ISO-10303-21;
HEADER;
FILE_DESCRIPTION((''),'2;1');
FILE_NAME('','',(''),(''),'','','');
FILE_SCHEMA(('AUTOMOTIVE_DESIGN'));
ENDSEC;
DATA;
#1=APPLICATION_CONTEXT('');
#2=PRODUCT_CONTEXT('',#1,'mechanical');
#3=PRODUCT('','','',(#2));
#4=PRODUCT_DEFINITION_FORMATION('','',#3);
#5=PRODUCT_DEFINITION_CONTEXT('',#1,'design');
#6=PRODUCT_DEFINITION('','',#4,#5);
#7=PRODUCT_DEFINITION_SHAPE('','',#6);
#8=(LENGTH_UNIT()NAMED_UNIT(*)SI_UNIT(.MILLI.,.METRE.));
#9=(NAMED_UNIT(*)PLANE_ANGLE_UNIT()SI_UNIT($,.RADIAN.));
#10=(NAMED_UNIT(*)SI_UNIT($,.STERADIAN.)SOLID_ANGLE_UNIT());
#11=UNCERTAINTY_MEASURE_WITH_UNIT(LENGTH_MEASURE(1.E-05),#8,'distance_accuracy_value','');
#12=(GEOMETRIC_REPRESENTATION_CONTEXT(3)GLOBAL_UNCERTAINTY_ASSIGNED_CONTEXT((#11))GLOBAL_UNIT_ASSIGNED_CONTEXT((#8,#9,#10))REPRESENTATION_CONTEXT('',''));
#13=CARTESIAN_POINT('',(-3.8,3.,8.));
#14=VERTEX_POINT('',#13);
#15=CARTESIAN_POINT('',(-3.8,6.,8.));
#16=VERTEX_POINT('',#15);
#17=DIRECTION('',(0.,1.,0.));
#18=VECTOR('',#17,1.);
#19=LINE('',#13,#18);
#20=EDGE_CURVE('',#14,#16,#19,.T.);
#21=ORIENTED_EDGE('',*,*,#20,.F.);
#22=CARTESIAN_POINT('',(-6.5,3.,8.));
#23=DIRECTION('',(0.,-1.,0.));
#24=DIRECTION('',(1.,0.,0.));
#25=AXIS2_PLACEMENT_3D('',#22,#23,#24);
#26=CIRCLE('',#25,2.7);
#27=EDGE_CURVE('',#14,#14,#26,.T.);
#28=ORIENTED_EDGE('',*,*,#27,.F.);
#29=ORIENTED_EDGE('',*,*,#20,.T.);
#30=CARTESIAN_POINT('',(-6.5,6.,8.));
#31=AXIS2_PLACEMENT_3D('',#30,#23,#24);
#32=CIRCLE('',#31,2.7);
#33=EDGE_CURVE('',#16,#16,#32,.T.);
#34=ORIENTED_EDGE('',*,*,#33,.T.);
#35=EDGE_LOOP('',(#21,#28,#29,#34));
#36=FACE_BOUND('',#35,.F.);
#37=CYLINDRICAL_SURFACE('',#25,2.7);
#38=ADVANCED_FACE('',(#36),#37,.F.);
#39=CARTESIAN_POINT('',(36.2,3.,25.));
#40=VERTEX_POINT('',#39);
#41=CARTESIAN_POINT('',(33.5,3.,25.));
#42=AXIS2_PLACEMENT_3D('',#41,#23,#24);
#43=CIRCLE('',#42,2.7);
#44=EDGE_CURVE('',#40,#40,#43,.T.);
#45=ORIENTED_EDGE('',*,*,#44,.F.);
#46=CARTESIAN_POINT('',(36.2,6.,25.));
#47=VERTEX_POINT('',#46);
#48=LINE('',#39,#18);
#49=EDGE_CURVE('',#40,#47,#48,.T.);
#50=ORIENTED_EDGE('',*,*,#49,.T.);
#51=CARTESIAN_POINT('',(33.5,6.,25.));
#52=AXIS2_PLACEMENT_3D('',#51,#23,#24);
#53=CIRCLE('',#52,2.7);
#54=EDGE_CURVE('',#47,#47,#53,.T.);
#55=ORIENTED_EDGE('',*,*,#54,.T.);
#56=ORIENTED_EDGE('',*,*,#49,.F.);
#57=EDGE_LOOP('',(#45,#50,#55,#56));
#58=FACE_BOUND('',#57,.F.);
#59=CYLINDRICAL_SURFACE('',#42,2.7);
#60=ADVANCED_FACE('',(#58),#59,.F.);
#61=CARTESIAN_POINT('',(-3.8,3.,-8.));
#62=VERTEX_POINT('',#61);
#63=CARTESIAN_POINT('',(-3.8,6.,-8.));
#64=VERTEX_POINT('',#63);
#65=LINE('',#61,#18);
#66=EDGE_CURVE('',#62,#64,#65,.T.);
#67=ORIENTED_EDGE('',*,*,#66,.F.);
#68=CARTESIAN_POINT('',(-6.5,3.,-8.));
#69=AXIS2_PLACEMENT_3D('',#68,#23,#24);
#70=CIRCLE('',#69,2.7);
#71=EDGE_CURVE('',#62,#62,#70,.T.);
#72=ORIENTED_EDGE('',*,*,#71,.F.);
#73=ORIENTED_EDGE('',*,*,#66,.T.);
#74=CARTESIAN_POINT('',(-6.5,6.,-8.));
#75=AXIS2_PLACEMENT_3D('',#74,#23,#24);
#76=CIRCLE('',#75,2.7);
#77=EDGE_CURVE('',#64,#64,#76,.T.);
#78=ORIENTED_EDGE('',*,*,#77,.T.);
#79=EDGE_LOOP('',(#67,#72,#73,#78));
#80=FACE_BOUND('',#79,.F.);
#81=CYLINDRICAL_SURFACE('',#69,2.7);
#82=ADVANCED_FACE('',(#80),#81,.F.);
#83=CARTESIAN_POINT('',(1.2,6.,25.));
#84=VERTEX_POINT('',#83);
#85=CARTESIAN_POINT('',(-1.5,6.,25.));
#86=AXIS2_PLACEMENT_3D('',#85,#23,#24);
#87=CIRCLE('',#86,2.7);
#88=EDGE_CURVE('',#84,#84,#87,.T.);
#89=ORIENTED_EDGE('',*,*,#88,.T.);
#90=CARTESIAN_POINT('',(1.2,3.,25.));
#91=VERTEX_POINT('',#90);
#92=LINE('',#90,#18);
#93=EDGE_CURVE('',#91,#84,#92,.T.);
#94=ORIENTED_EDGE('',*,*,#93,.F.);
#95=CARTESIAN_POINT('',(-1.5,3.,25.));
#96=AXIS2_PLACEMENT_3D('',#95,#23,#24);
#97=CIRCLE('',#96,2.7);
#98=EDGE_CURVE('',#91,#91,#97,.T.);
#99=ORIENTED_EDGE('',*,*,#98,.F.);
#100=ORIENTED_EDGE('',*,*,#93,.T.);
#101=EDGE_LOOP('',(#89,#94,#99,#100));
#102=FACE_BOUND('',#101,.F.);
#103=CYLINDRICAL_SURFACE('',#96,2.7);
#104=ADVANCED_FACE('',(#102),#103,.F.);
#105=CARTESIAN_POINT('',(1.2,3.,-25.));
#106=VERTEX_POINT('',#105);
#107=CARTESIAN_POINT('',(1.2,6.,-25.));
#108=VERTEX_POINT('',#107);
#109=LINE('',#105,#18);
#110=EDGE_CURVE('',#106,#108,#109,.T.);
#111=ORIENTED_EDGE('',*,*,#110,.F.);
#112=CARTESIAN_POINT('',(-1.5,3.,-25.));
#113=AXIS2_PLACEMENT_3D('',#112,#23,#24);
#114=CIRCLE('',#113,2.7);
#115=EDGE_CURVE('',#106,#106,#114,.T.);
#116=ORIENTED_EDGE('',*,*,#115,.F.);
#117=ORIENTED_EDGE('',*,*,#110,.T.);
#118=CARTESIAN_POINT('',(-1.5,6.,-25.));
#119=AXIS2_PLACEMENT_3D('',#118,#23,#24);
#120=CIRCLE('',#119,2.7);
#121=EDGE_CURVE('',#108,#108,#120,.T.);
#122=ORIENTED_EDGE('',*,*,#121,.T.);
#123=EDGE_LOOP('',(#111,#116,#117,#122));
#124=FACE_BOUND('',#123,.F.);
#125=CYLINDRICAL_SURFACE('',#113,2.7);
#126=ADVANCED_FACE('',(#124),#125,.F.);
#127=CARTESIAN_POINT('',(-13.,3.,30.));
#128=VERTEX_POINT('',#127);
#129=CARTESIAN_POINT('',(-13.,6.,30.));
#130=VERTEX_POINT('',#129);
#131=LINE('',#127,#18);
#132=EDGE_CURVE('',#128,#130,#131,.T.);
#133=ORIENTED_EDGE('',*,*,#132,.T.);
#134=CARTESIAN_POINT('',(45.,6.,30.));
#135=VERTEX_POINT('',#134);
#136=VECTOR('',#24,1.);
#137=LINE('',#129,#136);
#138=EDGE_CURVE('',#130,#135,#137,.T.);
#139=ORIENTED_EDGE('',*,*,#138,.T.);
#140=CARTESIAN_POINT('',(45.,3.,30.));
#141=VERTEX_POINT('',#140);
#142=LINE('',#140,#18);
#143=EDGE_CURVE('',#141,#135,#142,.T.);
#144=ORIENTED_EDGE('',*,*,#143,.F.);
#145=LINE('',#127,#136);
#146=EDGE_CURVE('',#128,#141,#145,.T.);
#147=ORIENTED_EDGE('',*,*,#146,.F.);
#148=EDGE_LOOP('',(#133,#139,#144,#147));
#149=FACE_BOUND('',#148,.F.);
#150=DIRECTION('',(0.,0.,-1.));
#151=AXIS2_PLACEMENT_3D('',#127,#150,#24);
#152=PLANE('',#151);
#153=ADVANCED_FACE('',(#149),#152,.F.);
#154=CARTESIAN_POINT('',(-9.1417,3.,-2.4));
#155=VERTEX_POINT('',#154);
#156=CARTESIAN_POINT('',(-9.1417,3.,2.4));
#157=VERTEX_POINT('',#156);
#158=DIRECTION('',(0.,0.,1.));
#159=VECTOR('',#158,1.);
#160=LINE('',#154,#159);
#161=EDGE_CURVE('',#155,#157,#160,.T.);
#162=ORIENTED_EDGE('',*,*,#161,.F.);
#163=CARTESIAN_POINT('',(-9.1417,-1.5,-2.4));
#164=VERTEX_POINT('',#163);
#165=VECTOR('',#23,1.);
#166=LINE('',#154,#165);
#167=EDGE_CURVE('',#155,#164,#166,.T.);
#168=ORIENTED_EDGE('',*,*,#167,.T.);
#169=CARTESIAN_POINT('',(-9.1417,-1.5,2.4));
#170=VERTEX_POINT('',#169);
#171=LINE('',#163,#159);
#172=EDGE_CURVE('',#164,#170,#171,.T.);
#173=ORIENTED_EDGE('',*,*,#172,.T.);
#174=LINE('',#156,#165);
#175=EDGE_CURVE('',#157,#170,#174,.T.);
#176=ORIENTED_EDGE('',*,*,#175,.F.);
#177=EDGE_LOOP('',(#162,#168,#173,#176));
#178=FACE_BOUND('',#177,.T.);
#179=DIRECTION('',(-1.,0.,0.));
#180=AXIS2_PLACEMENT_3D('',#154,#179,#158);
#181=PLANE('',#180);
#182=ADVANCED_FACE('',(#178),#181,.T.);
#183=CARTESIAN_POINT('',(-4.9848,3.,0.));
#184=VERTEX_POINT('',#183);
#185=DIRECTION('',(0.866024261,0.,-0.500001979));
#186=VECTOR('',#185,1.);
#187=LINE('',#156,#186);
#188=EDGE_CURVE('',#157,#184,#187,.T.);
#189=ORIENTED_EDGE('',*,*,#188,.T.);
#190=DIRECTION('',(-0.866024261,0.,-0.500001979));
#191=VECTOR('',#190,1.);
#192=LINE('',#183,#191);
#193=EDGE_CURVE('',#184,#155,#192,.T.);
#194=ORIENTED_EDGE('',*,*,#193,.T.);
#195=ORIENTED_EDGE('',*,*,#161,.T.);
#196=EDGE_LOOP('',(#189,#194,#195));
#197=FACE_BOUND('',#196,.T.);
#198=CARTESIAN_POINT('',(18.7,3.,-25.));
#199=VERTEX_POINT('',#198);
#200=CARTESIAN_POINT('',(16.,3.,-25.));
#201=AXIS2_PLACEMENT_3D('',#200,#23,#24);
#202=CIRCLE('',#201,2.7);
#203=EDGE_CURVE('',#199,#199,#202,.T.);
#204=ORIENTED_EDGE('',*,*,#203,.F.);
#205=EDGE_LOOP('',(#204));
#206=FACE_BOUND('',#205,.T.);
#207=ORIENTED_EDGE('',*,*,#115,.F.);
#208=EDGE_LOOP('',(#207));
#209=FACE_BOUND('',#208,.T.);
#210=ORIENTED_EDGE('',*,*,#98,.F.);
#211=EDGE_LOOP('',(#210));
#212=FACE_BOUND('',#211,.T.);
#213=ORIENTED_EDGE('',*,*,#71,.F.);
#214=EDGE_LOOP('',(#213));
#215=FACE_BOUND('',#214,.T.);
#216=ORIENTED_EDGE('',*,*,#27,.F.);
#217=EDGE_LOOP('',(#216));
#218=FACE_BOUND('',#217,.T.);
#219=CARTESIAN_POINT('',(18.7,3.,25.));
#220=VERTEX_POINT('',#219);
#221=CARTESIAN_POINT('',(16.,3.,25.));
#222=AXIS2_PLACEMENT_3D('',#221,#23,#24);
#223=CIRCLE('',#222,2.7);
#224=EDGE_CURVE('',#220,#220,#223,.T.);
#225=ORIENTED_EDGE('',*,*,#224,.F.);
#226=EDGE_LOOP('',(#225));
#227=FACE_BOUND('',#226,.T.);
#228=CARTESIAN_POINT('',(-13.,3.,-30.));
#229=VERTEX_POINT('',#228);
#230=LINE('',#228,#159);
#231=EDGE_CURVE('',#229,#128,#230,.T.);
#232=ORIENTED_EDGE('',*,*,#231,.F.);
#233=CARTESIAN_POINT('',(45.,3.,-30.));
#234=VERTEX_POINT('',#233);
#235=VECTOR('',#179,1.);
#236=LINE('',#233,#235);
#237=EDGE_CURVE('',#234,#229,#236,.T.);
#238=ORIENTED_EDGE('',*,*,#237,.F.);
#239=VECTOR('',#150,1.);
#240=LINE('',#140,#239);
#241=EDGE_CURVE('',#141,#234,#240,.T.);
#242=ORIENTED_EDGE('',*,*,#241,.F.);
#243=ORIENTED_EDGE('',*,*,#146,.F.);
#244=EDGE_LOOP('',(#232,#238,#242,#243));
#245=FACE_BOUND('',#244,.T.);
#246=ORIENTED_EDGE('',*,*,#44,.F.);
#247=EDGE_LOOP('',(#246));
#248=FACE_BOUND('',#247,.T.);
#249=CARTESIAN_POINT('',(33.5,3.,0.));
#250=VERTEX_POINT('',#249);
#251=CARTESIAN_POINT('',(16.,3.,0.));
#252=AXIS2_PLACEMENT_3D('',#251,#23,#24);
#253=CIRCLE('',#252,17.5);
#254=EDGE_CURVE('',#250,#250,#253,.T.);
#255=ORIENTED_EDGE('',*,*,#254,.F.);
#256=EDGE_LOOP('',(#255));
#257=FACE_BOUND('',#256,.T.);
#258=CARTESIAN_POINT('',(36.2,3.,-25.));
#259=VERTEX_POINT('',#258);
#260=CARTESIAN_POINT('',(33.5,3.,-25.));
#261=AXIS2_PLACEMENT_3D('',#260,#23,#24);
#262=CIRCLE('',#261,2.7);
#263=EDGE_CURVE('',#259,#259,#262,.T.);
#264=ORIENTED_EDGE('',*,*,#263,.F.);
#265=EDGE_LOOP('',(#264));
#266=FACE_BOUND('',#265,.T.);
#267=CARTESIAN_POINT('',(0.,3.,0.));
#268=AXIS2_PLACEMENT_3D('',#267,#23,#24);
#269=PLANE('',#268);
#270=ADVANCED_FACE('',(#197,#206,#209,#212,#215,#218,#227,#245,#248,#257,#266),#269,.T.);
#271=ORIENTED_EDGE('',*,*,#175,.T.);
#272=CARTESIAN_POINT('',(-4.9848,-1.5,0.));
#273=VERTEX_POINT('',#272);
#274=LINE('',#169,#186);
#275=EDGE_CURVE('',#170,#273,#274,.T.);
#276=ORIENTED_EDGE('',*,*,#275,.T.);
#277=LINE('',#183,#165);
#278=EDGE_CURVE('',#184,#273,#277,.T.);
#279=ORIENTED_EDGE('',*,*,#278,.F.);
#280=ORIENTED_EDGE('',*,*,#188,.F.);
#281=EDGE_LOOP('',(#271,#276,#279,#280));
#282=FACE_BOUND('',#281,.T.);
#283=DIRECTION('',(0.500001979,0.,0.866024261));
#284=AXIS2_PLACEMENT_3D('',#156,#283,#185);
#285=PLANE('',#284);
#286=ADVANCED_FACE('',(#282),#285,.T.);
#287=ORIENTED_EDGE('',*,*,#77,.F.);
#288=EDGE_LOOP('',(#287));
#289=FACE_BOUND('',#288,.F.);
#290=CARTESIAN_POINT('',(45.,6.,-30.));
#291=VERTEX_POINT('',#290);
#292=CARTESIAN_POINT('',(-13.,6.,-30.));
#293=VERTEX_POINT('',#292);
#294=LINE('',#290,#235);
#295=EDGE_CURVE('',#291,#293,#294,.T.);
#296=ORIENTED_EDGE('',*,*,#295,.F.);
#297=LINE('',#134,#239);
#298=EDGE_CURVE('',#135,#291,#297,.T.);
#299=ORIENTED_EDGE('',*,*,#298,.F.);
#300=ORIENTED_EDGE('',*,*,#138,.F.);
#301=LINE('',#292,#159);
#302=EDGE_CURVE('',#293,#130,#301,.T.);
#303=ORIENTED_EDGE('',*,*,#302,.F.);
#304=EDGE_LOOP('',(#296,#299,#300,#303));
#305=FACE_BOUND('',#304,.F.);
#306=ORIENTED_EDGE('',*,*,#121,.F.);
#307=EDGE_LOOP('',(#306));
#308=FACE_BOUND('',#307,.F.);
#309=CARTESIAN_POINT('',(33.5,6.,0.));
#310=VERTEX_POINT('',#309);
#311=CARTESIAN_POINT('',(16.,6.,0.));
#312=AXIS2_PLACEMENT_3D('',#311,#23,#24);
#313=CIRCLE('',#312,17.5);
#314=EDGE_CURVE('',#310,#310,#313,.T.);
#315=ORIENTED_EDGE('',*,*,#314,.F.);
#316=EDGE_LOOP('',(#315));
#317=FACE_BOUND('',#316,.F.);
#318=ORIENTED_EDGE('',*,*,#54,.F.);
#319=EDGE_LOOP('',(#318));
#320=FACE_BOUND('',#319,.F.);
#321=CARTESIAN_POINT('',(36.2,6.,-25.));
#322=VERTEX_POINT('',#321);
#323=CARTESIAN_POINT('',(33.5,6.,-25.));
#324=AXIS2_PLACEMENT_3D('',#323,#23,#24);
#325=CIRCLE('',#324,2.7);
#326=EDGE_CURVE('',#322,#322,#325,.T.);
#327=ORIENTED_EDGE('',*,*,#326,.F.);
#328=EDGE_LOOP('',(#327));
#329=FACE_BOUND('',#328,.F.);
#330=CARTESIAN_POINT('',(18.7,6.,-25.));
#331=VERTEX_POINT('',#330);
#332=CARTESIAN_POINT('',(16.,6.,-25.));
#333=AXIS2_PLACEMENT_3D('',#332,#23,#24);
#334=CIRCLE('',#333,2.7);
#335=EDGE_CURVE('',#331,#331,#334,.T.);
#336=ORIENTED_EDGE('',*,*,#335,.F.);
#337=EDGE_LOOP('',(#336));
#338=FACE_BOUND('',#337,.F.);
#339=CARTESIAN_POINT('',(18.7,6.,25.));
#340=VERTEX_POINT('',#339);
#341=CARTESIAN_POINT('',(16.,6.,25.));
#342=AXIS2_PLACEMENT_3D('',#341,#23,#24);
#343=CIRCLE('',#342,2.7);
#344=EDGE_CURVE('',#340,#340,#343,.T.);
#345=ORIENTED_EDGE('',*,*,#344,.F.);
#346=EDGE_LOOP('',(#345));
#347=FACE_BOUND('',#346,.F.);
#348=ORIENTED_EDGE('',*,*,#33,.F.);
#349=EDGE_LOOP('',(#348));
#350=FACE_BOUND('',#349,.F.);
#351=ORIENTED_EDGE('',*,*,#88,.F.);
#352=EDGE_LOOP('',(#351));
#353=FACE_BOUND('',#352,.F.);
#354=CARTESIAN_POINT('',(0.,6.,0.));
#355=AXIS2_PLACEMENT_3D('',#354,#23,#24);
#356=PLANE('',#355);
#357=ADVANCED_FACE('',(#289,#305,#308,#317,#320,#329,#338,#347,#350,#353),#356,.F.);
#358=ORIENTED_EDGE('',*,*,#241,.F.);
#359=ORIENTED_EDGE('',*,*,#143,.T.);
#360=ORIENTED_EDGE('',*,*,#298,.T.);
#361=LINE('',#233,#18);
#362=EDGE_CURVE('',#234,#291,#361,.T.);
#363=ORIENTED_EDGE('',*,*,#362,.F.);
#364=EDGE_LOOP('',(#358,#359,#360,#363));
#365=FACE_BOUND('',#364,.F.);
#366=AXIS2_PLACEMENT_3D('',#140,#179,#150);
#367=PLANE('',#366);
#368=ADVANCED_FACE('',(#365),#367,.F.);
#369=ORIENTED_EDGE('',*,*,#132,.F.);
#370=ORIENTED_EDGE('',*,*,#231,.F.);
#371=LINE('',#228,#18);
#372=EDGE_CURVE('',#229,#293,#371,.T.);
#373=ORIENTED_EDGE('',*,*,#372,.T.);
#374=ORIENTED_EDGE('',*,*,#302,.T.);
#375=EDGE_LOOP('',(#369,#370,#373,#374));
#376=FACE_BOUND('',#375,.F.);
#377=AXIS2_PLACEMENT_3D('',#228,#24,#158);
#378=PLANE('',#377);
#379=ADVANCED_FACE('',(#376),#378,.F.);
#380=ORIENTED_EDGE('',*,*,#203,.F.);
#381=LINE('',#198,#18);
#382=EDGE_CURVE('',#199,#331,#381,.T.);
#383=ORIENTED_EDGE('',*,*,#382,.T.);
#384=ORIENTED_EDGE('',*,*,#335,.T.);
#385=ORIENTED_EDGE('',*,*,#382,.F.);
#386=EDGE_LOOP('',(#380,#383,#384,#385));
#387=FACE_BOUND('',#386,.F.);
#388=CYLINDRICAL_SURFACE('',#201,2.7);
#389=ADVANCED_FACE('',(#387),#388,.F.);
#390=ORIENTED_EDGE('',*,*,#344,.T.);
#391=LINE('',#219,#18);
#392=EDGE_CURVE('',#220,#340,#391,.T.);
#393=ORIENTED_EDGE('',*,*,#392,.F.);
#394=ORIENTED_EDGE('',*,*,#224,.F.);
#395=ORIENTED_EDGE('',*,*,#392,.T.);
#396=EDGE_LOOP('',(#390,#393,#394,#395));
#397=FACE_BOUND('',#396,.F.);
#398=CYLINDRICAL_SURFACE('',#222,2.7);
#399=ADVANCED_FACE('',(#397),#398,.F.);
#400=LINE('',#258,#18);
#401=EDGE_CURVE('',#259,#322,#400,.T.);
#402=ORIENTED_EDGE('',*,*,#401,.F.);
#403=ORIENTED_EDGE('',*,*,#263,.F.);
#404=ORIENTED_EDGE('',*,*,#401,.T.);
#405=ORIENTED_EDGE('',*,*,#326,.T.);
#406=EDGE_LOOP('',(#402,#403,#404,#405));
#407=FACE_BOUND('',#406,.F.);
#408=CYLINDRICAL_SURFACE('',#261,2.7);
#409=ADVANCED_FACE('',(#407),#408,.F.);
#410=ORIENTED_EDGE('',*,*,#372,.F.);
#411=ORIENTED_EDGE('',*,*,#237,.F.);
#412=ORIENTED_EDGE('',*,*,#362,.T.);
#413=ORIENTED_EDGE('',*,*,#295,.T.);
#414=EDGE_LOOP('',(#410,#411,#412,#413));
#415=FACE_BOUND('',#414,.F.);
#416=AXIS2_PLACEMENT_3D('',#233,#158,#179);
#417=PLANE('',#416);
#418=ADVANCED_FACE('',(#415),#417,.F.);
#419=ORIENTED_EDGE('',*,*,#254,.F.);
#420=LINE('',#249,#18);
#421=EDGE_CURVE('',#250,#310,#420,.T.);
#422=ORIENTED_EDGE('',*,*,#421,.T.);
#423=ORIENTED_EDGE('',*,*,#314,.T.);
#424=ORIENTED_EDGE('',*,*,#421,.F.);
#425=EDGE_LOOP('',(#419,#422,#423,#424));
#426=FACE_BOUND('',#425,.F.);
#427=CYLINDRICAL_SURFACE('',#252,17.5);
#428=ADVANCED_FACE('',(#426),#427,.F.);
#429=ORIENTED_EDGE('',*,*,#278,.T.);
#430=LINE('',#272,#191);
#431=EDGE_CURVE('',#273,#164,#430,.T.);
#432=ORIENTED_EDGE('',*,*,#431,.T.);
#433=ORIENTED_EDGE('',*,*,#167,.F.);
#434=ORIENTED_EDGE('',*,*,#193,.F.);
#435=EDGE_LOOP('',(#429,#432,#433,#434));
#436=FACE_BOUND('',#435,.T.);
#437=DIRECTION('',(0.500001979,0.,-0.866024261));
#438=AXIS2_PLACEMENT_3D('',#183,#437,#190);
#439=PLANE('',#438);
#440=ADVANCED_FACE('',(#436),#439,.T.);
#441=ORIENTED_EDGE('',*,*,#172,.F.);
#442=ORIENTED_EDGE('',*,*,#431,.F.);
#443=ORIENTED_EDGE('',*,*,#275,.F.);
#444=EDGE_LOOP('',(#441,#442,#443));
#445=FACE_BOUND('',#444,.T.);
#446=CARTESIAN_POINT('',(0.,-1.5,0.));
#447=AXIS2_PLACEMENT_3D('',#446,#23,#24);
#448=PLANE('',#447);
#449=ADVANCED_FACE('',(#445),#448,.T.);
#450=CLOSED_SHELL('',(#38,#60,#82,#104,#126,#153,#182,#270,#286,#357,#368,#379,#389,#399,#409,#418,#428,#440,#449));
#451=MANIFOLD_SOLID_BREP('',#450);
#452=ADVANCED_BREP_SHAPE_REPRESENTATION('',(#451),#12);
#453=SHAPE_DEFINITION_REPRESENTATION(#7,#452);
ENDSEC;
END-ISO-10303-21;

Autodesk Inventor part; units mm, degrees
ref_plane "YZ Plane" through (0, 0, 0) normal (1, 0, 0) x (0, 1, 0)
ref_plane "XZ Plane" through (0, 0, 0) normal (0, 1, 0) x (-1, 0, 0)
ref_plane "XY Plane" through (0, 0, 0) normal (0, 0, 1) x (1, 0, 0)
ref_plane "Work Plane5" through (0, 3, 0) normal (0, 1, 0) x (1, 0, 0)
ref_plane "Work Plane2" through (0, 0, 0) normal (0, -1, 0) x (1, 0, 0)
ref_plane "Work Plane1" through (0, 3, 0) normal (0, 1, 0) x (1, 0, 0)
ref_plane "Work Plane7" through (0, 3, 0) normal (0, -1, 0) x (1, 0, 0)
sketch "Sketch77" plane through (0, 3, 0) normal (0, -1, 0) x (1, 0, 0)
  circle A0 centre (16, 0) radius 17.5
  point P0 (0, 0)
  dimension "d219" = 35
ref_plane "Work Plane6" through (0, 3, 0) normal (0, -1, 0) x (1, 0, 0)
sketch "Sketch78" plane through (0, 3, 0) normal (0, -1, 0) x (1, 0, 0)
  line L0 (45, -30) -> (-13, -30)
  line L1 (-13, -30) -> (-13, 30)
  line L2 (-13, 30) -> (45, 30)
  line L3 (45, 30) -> (45, -30)
  line L4 (45, -30) -> (-13, 30) construction
  line L5 (-13, -30) -> (45, 30) construction
  point P0 (0, 0)
  point P1 (16, 0)
  dimension "d220" = 58
  dimension "d221" = 60
extrude "Extrusion53" add sketch "Sketch78" against normal blind 3
extrude "Extrusion54" cut sketch "Sketch77" against normal blind 3
ref_plane "Work Plane9" through (0, 3, 0) normal (0, -1, 0) x (1, 0, 0)
sketch "Sketch81" plane through (0, 3, 0) normal (0, -1, 0) x (1, 0, 0)
  circle A0 centre (33.5, -25) radius 2.7
  line L0 (-13, -30) -> (45, -30) projected
  line L1 (45, -30) -> (45, 30) projected
  circle A1 centre (16, -25) radius 2.7
  circle A2 centre (-1.5, -25) radius 2.7
  circle A3 centre (-6.5, -8) radius 2.7
  circle A4 centre (-6.5, 8) radius 2.7
  circle A5 centre (-1.5, 25) radius 2.7
  circle A6 centre (16, 25) radius 2.7
  circle A7 centre (33.5, 25) radius 2.7
  point P0 (0, 0)
  dimension "mag_D" = 5.4
  dimension "d232" = 5
  dimension "d233" = 11.5
  dimension "d234" = 5.4
  dimension "d235" = 17.5
  dimension "d236" = 5.4
  dimension "d237" = 17.5
  dimension "d238" = 5.4
  dimension "d239" = 5
  dimension "d240" = 17
  dimension "d241" = 5.4
  dimension "d242" = 16
  dimension "d243" = 5.4
  dimension "d244" = 17
  dimension "d245" = 5.4
  dimension "d246" = 17.5
  dimension "d247" = 5.4
  dimension "d248" = 17.5
  dimension "d249" = 5
extrude "Extrusion56" cut sketch "Sketch81" against normal blind 30
ref_plane "Work Plane8" through (0, 3, 0) normal (0, -1, 0) x (1, 0, 0)
sketch "Sketch83" plane through (0, 3, 0) normal (0, -1, 0) x (1, 0, 0)
  circle A0 centre (-6.5, -8) radius 2.7 projected
  line L0 (-9.1417, -2.4) -> (-9.1417, 2.4)
  line L1 (-9.1417, 2.4) -> (-4.9848, 0)
  line L2 (-4.9848, 0) -> (-9.1417, -2.4)
  point P0 (0, 0)
  point P1 (-9.1417, -8.5581)
  point P2 (-7.756, 0)
  dimension "d253" = 4.8
extrude "Extrusion57" add sketch "Sketch83" along normal blind 4.5 contours L0 L1 L2
sketch "Sketch84" plane through (0, 6, 0) normal (0, 1, 0) x (1, 0, 0)
  point P0 (0, 0)
equation "\"d234\" = mag_D"
equation "\"d236\" = mag_D"
equation "\"d237\" = d235"
equation "\"d238\" = mag_D"
equation "\"d241\" = mag_D"
equation "\"d243\" = mag_D"
equation "\"d244\" = d240"
equation "\"d245\" = mag_D"
equation "\"d246\" = d235"
equation "\"d247\" = mag_D"
equation "\"d248\" = d235"
equation "\"d249\" = d239"
properties part number "liquid_port_v03_printtest"
